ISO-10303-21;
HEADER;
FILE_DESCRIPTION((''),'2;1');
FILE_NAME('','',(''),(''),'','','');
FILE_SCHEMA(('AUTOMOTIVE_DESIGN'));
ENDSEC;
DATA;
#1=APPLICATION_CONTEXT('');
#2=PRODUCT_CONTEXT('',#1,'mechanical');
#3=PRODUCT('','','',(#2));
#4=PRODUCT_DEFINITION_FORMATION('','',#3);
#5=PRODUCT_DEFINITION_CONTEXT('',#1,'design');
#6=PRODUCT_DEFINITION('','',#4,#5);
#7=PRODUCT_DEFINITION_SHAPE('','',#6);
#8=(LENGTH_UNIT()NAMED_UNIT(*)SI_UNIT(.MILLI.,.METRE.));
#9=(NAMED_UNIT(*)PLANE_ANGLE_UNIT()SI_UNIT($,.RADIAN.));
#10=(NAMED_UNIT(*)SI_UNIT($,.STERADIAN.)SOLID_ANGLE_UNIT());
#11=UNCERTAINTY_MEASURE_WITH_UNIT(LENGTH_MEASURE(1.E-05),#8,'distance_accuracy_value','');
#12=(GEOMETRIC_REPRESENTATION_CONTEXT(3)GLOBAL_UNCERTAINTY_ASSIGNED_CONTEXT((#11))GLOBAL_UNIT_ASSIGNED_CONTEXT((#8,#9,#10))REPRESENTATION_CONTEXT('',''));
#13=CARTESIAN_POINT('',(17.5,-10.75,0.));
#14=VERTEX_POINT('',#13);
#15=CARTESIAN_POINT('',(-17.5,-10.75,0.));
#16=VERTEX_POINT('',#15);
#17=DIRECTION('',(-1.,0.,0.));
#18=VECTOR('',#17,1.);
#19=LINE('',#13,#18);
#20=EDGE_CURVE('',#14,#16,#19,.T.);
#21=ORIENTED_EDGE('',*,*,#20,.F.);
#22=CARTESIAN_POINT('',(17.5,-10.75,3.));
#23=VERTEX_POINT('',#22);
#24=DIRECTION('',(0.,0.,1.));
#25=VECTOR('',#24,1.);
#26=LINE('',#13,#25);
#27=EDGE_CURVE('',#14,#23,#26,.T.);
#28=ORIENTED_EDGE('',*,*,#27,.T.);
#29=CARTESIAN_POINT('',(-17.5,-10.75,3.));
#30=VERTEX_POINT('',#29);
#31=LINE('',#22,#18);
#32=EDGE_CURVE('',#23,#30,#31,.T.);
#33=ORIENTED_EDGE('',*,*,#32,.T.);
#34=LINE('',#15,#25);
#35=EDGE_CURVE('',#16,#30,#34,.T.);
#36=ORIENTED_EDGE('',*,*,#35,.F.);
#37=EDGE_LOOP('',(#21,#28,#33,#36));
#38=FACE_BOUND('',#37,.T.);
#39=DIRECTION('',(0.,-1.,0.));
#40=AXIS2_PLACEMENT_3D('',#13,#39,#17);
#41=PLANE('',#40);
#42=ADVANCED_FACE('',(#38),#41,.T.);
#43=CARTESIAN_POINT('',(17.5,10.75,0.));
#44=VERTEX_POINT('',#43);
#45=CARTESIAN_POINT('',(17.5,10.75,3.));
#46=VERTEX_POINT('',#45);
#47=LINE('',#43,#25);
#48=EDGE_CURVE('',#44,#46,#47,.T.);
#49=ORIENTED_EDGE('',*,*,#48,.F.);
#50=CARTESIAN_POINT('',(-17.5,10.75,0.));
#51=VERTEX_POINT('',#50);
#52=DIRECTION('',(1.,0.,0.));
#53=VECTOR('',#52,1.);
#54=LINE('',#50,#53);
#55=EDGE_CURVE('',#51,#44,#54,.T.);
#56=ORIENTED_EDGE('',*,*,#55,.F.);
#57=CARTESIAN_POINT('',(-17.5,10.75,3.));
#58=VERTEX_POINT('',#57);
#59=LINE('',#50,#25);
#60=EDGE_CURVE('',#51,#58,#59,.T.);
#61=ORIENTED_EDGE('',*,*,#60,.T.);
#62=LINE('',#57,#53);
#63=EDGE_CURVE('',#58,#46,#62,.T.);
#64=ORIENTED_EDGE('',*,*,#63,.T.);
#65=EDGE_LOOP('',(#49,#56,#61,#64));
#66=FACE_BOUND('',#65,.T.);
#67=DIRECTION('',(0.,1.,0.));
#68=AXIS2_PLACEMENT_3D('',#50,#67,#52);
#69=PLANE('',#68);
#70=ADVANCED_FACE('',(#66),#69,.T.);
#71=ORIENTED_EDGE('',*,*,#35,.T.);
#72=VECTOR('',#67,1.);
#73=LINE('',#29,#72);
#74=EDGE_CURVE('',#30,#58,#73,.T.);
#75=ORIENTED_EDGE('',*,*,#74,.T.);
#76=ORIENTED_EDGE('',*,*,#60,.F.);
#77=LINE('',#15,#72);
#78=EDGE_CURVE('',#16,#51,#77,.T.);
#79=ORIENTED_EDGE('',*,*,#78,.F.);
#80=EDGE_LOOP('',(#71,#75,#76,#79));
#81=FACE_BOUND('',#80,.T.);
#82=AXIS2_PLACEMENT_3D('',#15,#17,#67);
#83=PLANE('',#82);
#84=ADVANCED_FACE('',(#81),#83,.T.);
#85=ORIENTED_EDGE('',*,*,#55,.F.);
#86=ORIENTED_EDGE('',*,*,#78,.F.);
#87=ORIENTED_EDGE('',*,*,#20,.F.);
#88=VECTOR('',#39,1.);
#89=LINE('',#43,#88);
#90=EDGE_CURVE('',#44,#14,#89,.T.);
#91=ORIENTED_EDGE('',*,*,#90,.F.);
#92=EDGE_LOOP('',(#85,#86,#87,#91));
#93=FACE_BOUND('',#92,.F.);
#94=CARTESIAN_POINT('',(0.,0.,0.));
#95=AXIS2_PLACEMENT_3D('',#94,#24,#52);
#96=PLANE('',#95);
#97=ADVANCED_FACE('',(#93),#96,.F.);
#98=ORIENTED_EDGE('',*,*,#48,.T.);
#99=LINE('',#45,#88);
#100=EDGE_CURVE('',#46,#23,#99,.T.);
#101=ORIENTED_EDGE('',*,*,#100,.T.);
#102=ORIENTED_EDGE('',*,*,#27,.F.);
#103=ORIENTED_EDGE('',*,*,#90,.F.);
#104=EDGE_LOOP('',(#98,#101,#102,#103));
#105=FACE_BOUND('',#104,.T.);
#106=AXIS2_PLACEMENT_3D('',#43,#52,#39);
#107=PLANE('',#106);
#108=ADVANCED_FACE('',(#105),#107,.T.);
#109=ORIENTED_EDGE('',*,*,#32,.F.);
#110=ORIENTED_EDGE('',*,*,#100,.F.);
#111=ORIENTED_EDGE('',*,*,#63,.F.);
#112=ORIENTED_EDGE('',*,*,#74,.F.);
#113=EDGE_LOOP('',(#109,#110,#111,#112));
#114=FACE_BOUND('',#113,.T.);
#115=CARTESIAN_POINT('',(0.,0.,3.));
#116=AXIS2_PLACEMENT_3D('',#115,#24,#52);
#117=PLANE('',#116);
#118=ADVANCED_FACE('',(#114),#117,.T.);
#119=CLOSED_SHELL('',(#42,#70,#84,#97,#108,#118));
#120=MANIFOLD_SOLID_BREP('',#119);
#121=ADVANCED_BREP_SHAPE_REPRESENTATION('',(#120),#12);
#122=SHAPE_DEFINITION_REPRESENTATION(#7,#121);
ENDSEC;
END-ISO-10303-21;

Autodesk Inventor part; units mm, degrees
ref_plane "YZ Plane" through (0, 0, 0) normal (1, 0, 0) x (0, 1, 0)
ref_plane "XZ Plane" through (0, 0, 0) normal (0, 1, 0) x (-1, 0, 0)
ref_plane "XY Plane" through (0, 0, 0) normal (0, 0, 1) x (1, 0, 0)
sketch "Sketch1" plane through (0, 0, 0) normal (0, 0, 1) x (1, 0, 0)
  line L0 (-17.5, 10.75) -> (17.5, 10.75)
  line L1 (17.5, 10.75) -> (17.5, -10.75)
  line L2 (17.5, -10.75) -> (-17.5, -10.75)
  line L3 (-17.5, -10.75) -> (-17.5, 10.75)
  point P0 (0, 0)
  point P1 (0, 10.75)
  point P2 (-17.5, 0)
  dimension "d0" = 35
  dimension "d1" = 21.5
extrude "Extrusion1" add sketch "Sketch1" along normal blind 3
properties part number "Window"
